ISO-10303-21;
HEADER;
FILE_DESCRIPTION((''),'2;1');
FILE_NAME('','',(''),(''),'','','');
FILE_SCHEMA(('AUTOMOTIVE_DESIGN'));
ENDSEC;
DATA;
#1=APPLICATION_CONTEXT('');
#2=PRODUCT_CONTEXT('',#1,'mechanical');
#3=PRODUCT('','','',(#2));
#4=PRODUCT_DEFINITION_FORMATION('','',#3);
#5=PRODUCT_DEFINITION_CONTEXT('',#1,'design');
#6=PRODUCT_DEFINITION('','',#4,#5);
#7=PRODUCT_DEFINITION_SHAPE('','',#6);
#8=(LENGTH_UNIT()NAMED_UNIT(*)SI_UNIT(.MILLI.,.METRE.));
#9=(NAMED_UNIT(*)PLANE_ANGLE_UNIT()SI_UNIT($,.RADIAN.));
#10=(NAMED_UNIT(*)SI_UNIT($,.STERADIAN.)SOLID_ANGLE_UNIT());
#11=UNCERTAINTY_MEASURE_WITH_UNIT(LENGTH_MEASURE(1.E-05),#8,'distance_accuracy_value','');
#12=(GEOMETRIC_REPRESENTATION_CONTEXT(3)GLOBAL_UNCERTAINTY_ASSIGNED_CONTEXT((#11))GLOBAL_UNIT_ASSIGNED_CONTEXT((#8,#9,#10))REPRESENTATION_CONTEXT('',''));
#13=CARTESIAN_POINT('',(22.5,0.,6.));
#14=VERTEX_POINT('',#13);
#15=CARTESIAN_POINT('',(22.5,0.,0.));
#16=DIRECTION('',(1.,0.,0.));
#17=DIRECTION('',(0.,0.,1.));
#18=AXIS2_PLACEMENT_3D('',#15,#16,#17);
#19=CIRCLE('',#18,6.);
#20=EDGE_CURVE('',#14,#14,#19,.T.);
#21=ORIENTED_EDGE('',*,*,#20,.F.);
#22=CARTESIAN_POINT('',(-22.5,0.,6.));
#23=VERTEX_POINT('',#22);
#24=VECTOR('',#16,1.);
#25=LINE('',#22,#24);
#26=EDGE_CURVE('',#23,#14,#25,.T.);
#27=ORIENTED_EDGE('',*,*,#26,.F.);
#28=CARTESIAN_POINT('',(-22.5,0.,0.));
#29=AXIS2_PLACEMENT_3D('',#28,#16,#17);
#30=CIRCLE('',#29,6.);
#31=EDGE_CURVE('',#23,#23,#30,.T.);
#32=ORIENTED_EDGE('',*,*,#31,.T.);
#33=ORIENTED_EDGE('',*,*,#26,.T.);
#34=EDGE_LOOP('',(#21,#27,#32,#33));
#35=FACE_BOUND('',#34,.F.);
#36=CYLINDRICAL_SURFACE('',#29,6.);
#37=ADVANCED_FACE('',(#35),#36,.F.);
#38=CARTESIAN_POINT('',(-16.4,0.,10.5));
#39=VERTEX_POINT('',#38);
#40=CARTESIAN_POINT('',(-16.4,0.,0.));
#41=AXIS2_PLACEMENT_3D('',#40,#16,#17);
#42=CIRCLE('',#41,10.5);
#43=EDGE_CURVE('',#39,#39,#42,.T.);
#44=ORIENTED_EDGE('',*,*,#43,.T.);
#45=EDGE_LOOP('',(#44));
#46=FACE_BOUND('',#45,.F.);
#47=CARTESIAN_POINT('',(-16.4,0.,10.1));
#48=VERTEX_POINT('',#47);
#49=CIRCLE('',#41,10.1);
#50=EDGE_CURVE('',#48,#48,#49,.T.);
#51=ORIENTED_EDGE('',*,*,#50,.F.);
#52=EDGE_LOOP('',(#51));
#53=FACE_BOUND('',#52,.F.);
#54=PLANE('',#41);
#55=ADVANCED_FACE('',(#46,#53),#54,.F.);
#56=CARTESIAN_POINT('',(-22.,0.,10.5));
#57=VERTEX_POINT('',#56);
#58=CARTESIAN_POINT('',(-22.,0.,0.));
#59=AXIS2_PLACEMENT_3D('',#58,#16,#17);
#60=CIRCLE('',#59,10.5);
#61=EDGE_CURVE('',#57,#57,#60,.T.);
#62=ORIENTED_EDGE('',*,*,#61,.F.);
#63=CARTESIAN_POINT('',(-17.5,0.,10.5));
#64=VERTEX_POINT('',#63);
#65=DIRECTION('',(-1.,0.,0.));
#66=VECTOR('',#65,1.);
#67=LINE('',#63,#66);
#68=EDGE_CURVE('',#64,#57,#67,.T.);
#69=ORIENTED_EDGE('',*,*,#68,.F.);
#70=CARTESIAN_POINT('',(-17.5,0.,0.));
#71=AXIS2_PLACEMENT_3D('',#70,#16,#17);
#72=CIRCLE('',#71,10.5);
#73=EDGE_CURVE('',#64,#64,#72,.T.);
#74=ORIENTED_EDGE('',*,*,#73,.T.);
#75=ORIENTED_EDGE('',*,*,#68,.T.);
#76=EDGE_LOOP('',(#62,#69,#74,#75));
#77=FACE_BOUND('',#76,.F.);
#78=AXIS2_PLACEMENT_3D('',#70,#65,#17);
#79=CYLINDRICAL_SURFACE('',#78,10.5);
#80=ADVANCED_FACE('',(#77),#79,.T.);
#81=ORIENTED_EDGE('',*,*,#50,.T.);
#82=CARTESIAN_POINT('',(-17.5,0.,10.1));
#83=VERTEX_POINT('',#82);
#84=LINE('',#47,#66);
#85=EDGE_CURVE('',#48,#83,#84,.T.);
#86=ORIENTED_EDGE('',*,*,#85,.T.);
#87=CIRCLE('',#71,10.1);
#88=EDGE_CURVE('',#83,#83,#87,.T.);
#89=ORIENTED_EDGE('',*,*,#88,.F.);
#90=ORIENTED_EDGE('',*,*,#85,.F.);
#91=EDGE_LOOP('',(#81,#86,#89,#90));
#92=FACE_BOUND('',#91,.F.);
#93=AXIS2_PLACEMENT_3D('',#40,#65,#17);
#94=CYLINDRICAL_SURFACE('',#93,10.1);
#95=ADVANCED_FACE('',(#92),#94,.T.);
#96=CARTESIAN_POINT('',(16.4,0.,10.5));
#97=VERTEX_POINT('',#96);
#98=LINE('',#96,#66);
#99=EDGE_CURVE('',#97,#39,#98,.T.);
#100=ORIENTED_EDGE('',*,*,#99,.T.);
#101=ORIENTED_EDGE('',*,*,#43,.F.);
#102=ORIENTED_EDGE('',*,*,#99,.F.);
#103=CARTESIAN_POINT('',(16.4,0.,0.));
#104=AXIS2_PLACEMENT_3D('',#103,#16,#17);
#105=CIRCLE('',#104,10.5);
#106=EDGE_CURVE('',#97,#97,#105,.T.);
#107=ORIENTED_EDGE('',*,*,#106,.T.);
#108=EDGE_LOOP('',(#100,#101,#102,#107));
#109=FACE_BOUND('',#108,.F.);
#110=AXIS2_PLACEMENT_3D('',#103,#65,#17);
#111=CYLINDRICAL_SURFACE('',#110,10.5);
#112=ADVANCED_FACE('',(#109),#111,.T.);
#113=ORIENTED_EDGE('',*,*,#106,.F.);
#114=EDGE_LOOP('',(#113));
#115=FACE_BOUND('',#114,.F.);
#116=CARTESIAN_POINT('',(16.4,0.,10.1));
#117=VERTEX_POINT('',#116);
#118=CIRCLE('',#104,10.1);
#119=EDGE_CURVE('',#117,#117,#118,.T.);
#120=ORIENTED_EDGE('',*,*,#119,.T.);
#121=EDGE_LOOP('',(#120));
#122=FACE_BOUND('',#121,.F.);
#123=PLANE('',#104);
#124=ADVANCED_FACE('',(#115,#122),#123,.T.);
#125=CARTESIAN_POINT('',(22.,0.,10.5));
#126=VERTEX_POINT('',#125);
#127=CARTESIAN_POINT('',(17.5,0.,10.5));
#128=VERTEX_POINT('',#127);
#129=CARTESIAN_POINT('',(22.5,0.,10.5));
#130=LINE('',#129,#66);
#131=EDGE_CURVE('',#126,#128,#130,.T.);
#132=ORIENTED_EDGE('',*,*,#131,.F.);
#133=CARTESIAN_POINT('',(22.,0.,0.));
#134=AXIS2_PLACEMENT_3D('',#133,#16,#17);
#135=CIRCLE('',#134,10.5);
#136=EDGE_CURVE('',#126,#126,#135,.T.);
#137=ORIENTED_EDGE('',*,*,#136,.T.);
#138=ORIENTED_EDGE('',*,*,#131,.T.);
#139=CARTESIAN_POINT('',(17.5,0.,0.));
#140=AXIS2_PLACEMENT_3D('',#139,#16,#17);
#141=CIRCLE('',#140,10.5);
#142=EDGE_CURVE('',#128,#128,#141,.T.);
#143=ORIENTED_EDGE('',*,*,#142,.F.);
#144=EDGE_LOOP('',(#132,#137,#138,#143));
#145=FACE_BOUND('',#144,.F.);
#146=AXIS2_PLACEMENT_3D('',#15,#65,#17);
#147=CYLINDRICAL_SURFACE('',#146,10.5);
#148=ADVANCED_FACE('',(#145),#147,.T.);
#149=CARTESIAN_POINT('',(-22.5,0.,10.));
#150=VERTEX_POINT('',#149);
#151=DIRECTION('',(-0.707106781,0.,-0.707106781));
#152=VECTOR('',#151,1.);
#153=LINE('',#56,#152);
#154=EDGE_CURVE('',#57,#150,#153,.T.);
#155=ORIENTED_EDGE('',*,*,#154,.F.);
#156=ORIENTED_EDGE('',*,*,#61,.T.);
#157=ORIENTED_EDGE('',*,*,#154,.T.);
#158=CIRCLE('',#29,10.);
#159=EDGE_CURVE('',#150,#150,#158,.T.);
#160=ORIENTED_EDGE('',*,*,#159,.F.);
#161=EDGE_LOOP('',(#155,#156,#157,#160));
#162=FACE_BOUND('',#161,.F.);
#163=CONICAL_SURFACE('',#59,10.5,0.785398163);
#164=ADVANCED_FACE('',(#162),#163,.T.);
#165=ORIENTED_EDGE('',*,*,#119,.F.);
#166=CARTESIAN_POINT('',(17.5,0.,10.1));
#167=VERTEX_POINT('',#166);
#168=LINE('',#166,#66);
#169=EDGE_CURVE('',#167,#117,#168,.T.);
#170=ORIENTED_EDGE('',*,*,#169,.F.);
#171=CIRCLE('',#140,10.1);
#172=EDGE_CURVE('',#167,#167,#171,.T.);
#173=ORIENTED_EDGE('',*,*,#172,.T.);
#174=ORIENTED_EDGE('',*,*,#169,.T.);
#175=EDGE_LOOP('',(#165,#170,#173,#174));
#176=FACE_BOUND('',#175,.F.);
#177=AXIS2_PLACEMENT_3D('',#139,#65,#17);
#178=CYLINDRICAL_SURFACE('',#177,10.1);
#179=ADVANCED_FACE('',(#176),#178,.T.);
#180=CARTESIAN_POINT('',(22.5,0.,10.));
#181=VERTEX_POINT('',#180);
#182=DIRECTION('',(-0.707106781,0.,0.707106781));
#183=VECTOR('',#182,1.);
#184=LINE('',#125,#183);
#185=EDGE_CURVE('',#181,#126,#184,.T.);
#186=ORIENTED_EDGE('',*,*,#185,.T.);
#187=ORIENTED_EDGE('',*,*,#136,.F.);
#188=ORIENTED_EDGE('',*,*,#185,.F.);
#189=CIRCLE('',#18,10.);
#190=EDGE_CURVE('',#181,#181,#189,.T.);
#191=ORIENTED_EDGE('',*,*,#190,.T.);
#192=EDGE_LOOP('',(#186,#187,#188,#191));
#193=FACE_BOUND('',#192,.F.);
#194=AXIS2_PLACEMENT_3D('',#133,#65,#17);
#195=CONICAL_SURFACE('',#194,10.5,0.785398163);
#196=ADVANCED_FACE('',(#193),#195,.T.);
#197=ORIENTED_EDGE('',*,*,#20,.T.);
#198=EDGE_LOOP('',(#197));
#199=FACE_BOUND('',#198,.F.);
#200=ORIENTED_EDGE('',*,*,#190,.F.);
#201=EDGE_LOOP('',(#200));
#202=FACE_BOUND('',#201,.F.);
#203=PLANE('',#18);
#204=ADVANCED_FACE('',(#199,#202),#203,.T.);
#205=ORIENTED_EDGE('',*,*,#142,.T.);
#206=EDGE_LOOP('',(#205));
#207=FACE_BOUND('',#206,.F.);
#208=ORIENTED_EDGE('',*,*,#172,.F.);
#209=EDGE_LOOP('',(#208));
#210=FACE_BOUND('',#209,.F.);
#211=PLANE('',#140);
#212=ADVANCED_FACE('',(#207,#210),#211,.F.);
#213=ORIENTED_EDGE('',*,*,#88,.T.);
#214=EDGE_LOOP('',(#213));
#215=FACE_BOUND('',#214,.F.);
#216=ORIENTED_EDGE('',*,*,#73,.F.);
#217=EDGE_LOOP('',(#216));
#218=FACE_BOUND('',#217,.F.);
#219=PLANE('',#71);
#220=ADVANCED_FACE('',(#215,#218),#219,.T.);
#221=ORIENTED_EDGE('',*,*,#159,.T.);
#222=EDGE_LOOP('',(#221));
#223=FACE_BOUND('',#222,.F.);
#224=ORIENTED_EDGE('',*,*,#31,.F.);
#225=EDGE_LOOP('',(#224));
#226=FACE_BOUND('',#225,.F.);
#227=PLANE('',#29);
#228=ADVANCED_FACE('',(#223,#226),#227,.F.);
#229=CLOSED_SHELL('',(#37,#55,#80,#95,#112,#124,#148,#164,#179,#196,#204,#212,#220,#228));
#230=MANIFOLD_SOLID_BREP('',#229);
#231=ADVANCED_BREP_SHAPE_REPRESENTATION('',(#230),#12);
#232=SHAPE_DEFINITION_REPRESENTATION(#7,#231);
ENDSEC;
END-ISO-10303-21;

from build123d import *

# Parameters (mm, degrees)
F2_SIZE = 0.5


with BuildPart() as f1:
    # F0 (on Front) → F1 (revolve)
    with BuildSketch(Plane.XZ):
        Polygon((-22.5, 6), (0, 6), (22.5, 6), (22.5, 10.5), (17.5, 10.5), (17.5, 10.1), (16.4, 10.1), (16.4, 10.5), (0, 10.5), (-16.4, 10.5), (-16.4, 10.1), (-17.5, 10.1), (-17.5, 10.5), (-22.5, 10.5), align=None)
    revolve(axis=Axis((10.160222, 0, 0), (1, 0, 0)))

    # F2
    f2_edges = [f1.edges().sort_by_distance(p)[0] for p in [
        (22.5, 0, -10.5),
        (-22.5, 0, -10.5),
    ]]
    chamfer(f2_edges, length=F2_SIZE)


solid = f1.part
